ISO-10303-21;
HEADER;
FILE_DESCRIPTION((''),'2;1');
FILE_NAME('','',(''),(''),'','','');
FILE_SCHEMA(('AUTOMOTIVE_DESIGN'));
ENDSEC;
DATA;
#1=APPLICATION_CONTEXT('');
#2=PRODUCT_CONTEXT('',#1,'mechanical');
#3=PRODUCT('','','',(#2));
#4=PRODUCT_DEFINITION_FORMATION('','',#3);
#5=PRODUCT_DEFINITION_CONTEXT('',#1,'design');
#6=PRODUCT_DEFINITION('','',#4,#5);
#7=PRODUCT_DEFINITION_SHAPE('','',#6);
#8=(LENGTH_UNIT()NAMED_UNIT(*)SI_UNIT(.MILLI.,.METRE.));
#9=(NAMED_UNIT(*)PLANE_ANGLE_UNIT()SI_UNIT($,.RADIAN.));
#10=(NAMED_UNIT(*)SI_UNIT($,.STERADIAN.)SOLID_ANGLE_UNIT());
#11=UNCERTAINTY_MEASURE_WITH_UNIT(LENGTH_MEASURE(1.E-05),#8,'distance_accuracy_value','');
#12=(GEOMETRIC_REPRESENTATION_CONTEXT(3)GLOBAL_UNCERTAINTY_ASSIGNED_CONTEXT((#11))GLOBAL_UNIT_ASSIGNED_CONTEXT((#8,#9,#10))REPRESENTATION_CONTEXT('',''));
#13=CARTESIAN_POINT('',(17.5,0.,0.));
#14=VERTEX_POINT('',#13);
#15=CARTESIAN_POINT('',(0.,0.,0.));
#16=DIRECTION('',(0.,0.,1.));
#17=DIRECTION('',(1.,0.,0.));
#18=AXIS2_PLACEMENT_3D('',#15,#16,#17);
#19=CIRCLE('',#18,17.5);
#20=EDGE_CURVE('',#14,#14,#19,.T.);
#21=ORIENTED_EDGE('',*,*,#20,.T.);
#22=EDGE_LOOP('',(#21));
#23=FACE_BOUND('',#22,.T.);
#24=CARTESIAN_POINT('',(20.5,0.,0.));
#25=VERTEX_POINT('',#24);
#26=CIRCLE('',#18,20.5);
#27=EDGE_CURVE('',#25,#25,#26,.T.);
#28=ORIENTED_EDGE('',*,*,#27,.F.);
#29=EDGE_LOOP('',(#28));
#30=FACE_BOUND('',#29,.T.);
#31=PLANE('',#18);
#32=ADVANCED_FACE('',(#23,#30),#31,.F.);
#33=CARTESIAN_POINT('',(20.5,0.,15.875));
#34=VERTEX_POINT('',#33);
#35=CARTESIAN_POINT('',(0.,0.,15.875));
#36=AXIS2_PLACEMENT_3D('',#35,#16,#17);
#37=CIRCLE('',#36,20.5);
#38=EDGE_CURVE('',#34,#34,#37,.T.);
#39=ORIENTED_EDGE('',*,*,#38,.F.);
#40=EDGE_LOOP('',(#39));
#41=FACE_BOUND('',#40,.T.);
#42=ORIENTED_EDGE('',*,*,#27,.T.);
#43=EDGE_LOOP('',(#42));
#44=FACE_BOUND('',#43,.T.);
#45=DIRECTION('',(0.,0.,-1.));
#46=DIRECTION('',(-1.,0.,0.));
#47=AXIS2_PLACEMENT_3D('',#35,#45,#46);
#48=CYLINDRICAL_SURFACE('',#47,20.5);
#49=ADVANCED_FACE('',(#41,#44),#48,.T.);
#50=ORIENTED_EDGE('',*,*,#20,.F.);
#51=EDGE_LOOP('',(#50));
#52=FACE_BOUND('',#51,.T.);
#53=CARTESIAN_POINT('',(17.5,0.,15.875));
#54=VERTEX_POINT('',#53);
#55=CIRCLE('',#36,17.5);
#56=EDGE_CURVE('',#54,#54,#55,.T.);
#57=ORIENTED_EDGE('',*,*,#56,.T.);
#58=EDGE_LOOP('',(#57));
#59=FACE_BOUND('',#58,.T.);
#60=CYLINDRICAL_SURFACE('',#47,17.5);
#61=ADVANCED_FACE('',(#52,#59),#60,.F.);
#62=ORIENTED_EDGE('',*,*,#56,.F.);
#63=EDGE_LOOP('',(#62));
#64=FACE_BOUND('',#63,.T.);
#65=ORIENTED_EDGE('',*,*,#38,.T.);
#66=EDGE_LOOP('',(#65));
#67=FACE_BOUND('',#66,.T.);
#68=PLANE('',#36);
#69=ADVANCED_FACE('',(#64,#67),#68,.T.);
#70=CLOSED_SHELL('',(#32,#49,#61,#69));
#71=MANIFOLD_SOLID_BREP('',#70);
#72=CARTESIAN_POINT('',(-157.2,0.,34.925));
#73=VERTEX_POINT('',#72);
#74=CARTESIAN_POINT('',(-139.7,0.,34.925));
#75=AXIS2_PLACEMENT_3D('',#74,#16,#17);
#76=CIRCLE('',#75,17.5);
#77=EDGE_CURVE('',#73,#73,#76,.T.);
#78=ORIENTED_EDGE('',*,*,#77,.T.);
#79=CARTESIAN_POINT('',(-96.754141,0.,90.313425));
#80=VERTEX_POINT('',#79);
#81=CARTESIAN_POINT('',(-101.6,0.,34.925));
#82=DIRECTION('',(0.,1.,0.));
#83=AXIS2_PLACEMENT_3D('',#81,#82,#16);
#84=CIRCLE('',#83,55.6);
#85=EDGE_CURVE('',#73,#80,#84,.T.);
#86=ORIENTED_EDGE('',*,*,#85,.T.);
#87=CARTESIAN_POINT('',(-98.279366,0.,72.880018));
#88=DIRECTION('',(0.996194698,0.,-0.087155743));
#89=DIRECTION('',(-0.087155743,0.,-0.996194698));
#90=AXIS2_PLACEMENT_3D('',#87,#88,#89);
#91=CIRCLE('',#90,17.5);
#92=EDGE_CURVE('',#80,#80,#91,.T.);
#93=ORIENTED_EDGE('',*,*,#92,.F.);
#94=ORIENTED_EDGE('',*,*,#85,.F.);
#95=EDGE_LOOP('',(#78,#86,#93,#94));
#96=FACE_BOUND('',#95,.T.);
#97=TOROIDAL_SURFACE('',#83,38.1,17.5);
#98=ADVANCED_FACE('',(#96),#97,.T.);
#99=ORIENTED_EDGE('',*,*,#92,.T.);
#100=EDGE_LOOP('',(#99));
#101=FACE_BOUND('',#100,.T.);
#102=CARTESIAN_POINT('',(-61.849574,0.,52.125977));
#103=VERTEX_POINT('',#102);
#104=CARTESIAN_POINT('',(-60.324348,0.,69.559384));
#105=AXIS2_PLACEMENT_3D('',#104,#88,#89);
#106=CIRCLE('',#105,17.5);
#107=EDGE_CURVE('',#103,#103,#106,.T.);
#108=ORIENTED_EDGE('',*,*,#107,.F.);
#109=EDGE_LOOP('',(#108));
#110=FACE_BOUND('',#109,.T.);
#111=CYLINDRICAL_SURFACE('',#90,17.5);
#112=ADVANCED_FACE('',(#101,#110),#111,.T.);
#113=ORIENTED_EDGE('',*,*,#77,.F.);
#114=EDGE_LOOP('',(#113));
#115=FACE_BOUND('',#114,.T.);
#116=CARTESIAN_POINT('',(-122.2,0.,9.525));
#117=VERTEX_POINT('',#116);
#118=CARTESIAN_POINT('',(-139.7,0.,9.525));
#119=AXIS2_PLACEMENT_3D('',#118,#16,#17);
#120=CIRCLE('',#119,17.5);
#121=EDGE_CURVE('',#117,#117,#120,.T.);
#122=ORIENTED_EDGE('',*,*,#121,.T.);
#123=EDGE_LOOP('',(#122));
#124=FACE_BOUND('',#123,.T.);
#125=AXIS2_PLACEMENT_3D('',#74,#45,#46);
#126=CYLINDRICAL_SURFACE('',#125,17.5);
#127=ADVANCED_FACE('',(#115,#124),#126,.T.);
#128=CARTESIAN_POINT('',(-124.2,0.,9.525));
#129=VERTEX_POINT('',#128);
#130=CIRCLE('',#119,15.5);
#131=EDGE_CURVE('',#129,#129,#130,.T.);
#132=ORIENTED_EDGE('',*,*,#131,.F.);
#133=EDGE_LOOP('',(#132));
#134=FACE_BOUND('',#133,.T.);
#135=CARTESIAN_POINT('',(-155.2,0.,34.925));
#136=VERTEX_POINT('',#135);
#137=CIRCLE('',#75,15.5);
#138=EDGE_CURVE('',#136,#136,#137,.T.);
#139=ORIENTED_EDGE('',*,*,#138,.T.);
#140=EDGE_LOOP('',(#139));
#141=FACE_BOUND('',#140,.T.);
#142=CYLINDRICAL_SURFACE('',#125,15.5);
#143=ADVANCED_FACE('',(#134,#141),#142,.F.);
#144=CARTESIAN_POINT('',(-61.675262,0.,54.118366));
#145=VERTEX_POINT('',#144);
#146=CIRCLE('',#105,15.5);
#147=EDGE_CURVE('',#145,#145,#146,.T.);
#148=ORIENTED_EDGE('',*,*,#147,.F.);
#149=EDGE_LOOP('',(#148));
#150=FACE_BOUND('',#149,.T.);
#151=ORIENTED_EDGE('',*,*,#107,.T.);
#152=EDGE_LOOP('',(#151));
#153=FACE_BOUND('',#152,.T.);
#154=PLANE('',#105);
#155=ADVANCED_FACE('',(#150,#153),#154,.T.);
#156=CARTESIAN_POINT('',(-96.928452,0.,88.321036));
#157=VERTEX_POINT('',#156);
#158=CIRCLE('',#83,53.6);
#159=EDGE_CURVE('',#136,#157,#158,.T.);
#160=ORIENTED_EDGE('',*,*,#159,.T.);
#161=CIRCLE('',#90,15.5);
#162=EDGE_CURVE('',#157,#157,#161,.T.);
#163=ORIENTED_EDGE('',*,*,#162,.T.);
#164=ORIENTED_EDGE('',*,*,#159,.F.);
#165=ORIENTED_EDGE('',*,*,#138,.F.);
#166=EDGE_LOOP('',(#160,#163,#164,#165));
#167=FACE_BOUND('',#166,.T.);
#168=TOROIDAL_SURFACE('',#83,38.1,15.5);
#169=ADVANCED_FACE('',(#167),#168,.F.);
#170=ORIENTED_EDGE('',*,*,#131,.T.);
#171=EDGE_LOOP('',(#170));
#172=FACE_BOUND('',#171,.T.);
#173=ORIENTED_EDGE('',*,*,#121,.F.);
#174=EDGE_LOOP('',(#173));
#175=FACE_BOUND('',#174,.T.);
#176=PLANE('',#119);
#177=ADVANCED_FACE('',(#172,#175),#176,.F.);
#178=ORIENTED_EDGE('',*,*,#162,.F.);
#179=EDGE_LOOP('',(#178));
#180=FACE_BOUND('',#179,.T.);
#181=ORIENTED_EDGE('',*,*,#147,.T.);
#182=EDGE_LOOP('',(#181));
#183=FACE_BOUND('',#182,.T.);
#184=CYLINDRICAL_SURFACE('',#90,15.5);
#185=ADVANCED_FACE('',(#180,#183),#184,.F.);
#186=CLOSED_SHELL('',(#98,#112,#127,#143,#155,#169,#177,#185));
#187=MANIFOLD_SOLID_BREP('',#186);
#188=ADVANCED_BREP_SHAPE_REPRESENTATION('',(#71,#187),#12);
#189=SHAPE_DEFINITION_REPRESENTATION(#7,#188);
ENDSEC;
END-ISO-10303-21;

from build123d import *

# Parameters (mm, degrees)
SKETCH1_R           = 20.5
SKETCH1_R_2         = 17.5
BOSS_EXTRUDE1_DEPTH = 15.875
SKETCH4_R           = 17.5
SKETCH4_R_2         = 15.5


with BuildPart() as part:
    # Sketch1 → Boss-Extrude1 (new body)
    with BuildSketch(Plane.XY):
        Circle(SKETCH1_R)
        Circle(SKETCH1_R_2, mode=Mode.SUBTRACT)
    extrude(amount=BOSS_EXTRUDE1_DEPTH)


with BuildPart() as body_2:
    # Sweep1: sweep along a path in Sketch5
    with BuildLine(Plane(origin=(0, 0, 0), x_dir=(1, 0, 0), z_dir=(0, 1, 0))) as sweep1_path:
        Line((-60.324348204, -69.559384199), (-98.279366201, -72.880017997))
        ThreePointArc((-98.279366201, -72.880017997), (-127.33998691, -63.015266532), (-139.7, -34.925))
        Line((-139.7, -34.925), (-139.7, -9.525))
    # Sketch4 → Sweep1 (sweep)
    with BuildSketch(Plane.XY.offset(9.525)):
        with Locations((-139.7, 0)):
            Circle(SKETCH4_R)
        with Locations((-139.7, 0)):
            Circle(SKETCH4_R_2, mode=Mode.SUBTRACT)
    sweep(path=sweep1_path.line)


solid = Compound([part.part, body_2.part])
